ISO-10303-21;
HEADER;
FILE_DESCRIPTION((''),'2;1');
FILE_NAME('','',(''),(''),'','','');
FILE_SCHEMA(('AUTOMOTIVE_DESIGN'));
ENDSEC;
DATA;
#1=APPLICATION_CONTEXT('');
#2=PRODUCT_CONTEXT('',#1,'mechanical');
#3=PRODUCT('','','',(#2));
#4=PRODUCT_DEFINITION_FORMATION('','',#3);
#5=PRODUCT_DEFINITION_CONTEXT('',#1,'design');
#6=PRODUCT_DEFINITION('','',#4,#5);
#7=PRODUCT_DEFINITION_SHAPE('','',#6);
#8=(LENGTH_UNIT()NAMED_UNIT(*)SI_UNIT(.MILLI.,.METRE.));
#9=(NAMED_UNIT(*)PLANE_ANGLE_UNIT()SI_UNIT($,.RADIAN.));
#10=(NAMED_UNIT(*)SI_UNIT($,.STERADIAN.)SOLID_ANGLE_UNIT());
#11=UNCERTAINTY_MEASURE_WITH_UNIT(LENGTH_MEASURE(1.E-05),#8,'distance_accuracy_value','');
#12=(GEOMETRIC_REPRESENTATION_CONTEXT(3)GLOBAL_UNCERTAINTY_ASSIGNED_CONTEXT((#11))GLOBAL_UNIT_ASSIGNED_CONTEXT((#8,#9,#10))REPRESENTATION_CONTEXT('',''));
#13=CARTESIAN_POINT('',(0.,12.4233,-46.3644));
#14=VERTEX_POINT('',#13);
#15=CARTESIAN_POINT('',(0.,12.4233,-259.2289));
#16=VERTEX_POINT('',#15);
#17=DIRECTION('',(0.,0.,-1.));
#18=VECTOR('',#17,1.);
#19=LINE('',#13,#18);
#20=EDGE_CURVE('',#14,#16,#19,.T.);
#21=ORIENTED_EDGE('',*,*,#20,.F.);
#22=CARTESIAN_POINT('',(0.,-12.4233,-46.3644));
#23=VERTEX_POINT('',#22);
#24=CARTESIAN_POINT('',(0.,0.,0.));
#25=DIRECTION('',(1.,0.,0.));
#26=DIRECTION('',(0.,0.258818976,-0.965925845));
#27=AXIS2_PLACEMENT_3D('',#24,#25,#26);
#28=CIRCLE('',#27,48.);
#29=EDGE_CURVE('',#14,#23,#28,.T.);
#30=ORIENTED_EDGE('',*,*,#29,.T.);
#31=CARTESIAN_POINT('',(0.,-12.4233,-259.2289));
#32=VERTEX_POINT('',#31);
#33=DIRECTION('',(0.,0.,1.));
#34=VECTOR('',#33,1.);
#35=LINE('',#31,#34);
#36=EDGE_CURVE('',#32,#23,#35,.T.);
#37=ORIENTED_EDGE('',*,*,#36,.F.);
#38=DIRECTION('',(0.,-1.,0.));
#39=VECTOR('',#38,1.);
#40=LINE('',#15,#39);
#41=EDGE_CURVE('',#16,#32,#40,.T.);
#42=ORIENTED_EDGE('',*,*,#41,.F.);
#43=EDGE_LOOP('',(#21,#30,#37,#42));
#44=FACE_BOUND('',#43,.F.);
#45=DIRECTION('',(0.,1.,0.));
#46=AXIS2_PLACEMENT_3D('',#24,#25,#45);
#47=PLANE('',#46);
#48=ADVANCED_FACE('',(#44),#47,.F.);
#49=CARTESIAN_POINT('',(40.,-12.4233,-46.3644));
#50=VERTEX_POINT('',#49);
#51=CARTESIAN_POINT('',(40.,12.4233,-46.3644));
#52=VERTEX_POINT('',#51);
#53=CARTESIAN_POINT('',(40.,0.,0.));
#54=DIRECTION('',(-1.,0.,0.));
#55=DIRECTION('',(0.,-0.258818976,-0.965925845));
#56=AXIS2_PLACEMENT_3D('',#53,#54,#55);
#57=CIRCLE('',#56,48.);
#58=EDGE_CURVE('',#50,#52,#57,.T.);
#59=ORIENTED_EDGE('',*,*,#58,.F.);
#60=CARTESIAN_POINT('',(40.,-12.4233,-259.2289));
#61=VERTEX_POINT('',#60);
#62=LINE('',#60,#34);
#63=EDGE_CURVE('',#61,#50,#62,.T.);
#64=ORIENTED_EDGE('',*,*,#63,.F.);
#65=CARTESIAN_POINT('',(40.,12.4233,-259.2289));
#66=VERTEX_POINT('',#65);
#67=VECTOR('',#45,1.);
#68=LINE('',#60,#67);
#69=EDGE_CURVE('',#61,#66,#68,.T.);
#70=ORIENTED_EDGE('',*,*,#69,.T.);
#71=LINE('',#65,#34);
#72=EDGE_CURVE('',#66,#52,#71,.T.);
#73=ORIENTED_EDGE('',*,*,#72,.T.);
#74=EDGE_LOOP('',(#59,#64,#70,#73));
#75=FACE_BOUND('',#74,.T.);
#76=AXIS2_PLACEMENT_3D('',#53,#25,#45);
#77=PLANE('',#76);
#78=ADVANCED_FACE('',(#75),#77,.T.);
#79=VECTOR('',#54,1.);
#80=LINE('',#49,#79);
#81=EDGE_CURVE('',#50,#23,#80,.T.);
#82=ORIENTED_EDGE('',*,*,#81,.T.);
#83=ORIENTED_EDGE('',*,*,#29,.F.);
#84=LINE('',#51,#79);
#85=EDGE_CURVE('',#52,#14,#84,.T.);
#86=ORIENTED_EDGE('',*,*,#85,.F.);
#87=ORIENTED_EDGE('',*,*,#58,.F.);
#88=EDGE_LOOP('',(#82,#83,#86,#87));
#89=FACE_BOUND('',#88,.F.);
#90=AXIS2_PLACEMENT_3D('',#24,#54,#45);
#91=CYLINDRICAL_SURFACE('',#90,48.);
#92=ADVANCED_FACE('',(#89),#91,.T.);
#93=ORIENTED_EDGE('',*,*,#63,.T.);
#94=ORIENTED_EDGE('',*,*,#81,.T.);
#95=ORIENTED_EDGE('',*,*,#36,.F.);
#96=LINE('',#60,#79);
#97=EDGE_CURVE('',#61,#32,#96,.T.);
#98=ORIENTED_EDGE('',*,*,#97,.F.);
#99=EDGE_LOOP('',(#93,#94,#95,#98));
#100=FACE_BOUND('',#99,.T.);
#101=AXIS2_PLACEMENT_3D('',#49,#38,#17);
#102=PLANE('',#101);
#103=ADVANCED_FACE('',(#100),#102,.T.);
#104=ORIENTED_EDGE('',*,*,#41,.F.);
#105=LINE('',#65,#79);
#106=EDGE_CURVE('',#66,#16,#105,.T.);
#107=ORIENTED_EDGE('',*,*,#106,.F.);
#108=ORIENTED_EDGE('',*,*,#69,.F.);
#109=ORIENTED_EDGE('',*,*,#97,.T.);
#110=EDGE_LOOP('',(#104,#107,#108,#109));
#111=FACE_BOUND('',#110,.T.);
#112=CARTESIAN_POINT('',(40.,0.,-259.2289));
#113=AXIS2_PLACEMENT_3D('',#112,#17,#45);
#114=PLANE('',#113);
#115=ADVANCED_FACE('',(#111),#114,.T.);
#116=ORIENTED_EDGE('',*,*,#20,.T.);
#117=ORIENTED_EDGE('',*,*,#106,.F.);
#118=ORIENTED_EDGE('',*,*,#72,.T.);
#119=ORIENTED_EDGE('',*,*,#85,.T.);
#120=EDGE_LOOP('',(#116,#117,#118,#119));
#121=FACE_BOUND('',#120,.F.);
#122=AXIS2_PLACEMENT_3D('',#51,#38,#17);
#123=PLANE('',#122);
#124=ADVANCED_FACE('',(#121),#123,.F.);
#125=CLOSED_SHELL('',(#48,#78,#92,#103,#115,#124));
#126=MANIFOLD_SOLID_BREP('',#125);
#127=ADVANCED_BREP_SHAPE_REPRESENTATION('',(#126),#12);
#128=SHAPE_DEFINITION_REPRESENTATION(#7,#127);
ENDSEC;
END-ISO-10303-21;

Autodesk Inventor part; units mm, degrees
ref_plane "YZ Plane" through (0, 0, 0) normal (1, 0, 0) x (0, 1, 0)
ref_plane "XZ Plane" through (0, 0, 0) normal (0, 1, 0) x (-1, 0, 0)
ref_plane "XY Plane" through (0, 0, 0) normal (0, 0, 1) x (1, 0, 0)
sketch "Boceto1" plane through (0, 0, 0) normal (0, 0, 1) x (1, 0, 0)
  point P0 (0, 0)
sketch "Boceto2" plane through (0, 0, 0) normal (1, 0, 0) x (0, 1, 0)
  circle A0 centre (0, 0) radius 48
  dimension "d0" = 96
extrude "Extrusión1" add sketch "Boceto2" along normal blind 40
sketch "Boceto3" plane through (40, 0, 0) normal (1, 0, 0) x (0, 0, -1)
  circle A0 centre (0, 0) radius 48 projected
  arc A1 (48, 0) -> (46.3644, 12.4233) centre (0, 0) ccw
  arc A2 (46.3644, -12.4233) -> (48, 0) centre (0, 0) ccw
  line L0 (46.3644, -12.4233) -> (212.8644, -12.4233)
  line L1 (46.3644, 12.4233) -> (212.8644, 12.4233)
  line L2 (211.2289, 0) -> (259.2289, 0)
  line L3 (259.2289, 0) -> (259.2289, 12.4233)
  line L4 (259.2289, 0) -> (259.2289, -12.4233)
  line L5 (259.2289, -12.4233) -> (212.8644, -12.4233)
  line L6 (259.2289, 12.4233) -> (212.8644, 12.4233)
extrude "Extrusión2" add sketch "Boceto3" against normal blind 40 contours A0 L1 L6 L3 L4 L5 L0
properties part number "Pata1_v1"
